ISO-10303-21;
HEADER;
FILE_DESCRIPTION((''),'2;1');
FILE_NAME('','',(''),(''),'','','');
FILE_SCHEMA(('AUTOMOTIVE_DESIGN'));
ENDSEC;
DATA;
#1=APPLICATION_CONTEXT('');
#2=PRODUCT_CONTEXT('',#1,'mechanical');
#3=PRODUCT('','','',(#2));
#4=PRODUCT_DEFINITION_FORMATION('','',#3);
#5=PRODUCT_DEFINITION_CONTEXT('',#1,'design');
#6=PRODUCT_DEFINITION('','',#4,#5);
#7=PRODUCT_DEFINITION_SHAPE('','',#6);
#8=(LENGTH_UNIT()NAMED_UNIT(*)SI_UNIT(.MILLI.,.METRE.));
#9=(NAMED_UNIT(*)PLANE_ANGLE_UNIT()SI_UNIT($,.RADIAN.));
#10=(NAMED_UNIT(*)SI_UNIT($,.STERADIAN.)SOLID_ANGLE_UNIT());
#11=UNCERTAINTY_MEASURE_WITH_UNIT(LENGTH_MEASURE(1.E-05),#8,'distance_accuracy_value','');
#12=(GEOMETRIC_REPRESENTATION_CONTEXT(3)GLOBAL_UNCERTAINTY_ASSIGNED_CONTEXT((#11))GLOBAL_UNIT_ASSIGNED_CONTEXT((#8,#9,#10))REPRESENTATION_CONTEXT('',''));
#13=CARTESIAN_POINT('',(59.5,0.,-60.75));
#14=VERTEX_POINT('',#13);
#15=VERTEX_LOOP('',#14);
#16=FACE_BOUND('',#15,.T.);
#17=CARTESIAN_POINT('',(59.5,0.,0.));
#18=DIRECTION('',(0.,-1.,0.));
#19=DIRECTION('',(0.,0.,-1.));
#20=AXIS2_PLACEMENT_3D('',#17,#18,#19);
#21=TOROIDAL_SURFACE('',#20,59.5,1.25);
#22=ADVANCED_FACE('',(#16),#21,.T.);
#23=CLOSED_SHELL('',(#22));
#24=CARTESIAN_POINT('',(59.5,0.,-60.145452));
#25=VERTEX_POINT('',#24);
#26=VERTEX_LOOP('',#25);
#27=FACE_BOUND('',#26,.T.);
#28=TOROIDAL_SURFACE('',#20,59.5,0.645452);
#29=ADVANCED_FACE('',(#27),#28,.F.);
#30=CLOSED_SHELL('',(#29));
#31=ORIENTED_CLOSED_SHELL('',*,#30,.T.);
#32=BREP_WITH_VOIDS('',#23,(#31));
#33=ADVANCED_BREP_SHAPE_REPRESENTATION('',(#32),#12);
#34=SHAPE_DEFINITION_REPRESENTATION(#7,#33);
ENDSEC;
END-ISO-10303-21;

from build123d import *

# Parameters (mm, degrees)
SZKIC1_R   = 1.25
SZKIC1_R_2 = 0.645451577


with BuildPart() as part:
    # Szkic1 → Obrót1 (revolve)
    with BuildSketch(Plane.XY, mode=Mode.PRIVATE) as obr_t1_sk:
        Circle(SZKIC1_R)
        Circle(SZKIC1_R_2, mode=Mode.SUBTRACT)
    revolve(obr_t1_sk.sketch.rotate(Axis((59.5, -11.058029352, 0), (0, 1, 0)), 270), axis=Axis((59.5, -11.058029352, 0), (0, 1, 0)))


solid = part.part
